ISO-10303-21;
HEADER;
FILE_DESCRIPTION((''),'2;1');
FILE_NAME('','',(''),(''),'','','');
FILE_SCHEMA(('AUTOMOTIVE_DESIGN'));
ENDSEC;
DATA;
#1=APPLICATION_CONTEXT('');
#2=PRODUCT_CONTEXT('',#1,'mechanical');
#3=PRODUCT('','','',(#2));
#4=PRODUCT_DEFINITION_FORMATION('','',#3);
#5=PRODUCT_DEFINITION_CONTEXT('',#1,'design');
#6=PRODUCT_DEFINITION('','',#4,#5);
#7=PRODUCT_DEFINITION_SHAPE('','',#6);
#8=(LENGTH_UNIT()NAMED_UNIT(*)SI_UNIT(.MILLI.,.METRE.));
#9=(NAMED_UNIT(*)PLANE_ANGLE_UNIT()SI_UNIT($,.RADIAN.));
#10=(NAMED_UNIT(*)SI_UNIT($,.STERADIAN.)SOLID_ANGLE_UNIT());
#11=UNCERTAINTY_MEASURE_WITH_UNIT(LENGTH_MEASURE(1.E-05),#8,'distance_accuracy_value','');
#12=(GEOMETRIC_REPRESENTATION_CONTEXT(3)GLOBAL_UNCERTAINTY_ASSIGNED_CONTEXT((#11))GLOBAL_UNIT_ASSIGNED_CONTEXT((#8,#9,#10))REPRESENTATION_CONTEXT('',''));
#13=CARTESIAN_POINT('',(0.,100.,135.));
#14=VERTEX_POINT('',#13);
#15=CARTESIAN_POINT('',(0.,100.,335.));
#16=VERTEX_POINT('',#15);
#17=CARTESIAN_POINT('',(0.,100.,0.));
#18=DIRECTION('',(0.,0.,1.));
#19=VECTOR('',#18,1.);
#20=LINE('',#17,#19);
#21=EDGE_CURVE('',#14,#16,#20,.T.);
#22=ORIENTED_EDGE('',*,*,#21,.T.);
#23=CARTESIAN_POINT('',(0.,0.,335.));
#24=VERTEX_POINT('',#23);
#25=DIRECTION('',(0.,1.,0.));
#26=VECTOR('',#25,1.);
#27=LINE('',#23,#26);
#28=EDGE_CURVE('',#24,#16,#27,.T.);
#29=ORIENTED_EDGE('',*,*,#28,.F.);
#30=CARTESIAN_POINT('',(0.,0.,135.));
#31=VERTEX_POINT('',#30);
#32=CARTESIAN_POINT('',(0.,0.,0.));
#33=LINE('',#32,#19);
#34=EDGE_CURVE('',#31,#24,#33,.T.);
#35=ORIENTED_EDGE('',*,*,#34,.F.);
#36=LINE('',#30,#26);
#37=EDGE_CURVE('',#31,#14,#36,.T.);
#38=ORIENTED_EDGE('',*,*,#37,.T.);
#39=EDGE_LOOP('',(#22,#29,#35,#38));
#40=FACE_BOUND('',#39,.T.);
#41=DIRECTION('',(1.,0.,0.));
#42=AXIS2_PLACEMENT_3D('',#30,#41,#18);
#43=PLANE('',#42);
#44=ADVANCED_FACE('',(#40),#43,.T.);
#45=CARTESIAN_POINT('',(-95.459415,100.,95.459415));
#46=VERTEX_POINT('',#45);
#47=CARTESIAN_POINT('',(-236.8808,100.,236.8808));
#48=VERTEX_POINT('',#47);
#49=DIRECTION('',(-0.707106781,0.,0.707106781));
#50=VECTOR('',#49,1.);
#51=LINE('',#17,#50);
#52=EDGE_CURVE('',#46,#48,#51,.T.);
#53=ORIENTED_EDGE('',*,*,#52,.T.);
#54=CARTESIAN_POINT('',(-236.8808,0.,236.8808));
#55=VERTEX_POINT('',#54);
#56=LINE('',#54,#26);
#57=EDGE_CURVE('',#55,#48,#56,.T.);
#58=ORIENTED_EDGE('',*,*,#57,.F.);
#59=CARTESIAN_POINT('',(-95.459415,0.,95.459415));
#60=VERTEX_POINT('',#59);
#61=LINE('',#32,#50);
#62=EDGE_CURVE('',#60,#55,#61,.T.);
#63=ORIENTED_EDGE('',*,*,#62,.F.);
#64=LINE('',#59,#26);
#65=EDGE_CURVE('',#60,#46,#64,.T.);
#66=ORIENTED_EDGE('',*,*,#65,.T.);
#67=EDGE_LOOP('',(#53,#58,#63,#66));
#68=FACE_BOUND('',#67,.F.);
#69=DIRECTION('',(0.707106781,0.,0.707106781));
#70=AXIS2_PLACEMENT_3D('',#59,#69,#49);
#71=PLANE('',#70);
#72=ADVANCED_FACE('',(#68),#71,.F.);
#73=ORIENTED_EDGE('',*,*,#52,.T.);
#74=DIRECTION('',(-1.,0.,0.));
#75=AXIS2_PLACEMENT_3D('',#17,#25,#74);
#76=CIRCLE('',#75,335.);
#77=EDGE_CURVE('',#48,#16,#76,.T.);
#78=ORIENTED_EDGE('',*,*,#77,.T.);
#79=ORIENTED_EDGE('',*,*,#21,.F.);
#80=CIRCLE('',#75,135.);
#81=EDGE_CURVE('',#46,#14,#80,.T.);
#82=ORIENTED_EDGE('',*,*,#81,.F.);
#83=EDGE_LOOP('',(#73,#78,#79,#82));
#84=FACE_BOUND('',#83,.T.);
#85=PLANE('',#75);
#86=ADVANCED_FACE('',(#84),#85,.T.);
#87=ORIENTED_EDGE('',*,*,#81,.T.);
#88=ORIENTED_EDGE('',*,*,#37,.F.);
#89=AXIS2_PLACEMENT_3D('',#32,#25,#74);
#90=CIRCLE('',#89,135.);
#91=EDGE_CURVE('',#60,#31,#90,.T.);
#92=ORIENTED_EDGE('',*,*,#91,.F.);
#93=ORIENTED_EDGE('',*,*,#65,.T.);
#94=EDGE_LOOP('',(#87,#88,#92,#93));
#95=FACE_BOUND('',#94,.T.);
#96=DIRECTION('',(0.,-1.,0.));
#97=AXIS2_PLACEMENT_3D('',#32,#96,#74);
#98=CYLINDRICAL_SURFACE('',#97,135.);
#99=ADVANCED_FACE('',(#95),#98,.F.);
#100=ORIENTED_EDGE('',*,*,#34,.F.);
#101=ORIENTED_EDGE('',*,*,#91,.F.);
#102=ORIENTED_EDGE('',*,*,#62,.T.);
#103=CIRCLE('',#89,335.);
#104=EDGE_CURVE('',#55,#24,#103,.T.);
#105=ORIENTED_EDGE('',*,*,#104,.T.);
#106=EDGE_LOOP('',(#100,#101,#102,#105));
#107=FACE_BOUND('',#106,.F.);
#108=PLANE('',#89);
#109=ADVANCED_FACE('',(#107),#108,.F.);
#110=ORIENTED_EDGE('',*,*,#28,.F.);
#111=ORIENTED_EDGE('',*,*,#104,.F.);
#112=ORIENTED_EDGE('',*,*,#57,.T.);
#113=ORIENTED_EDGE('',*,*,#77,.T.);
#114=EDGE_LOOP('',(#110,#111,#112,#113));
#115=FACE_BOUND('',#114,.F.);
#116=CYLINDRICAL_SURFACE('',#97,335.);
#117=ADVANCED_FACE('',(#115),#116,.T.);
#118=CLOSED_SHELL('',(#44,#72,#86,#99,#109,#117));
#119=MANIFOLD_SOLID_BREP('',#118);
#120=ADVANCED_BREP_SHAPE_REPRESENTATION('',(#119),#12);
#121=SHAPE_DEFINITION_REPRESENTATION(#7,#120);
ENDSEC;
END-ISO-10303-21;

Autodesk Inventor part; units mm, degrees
ref_plane "YZ Plane" through (0, 0, 0) normal (1, 0, 0) x (0, 1, 0)
ref_plane "XZ Plane" through (0, 0, 0) normal (0, 1, 0) x (-1, 0, 0)
ref_plane "XY Plane" through (0, 0, 0) normal (0, 0, 1) x (1, 0, 0)
sketch "Sketch1" plane through (0, 0, 0) normal (0, 1, 0) x (-1, 0, 0)
  circle A0 centre (0, 0) radius 135
  circle A1 centre (0, 0) radius 335
  line L0 (0, 0) -> (0, 335)
  line L1 (0, 0) -> (236.8808, 236.8808)
  line L2 (0, 0) -> (335, 0) construction
  point P0 (95.4594, 95.4594)
  point P1 (0, 135)
  dimension "d0" = 270
  dimension "d1" = 670
  dimension "d2" = 45
extrude "Extrusion1" add sketch "Sketch1" along normal blind 100 contours A0 L0 A1 L1 picked at (100.2741, 248.6764)
properties part number "Test"
